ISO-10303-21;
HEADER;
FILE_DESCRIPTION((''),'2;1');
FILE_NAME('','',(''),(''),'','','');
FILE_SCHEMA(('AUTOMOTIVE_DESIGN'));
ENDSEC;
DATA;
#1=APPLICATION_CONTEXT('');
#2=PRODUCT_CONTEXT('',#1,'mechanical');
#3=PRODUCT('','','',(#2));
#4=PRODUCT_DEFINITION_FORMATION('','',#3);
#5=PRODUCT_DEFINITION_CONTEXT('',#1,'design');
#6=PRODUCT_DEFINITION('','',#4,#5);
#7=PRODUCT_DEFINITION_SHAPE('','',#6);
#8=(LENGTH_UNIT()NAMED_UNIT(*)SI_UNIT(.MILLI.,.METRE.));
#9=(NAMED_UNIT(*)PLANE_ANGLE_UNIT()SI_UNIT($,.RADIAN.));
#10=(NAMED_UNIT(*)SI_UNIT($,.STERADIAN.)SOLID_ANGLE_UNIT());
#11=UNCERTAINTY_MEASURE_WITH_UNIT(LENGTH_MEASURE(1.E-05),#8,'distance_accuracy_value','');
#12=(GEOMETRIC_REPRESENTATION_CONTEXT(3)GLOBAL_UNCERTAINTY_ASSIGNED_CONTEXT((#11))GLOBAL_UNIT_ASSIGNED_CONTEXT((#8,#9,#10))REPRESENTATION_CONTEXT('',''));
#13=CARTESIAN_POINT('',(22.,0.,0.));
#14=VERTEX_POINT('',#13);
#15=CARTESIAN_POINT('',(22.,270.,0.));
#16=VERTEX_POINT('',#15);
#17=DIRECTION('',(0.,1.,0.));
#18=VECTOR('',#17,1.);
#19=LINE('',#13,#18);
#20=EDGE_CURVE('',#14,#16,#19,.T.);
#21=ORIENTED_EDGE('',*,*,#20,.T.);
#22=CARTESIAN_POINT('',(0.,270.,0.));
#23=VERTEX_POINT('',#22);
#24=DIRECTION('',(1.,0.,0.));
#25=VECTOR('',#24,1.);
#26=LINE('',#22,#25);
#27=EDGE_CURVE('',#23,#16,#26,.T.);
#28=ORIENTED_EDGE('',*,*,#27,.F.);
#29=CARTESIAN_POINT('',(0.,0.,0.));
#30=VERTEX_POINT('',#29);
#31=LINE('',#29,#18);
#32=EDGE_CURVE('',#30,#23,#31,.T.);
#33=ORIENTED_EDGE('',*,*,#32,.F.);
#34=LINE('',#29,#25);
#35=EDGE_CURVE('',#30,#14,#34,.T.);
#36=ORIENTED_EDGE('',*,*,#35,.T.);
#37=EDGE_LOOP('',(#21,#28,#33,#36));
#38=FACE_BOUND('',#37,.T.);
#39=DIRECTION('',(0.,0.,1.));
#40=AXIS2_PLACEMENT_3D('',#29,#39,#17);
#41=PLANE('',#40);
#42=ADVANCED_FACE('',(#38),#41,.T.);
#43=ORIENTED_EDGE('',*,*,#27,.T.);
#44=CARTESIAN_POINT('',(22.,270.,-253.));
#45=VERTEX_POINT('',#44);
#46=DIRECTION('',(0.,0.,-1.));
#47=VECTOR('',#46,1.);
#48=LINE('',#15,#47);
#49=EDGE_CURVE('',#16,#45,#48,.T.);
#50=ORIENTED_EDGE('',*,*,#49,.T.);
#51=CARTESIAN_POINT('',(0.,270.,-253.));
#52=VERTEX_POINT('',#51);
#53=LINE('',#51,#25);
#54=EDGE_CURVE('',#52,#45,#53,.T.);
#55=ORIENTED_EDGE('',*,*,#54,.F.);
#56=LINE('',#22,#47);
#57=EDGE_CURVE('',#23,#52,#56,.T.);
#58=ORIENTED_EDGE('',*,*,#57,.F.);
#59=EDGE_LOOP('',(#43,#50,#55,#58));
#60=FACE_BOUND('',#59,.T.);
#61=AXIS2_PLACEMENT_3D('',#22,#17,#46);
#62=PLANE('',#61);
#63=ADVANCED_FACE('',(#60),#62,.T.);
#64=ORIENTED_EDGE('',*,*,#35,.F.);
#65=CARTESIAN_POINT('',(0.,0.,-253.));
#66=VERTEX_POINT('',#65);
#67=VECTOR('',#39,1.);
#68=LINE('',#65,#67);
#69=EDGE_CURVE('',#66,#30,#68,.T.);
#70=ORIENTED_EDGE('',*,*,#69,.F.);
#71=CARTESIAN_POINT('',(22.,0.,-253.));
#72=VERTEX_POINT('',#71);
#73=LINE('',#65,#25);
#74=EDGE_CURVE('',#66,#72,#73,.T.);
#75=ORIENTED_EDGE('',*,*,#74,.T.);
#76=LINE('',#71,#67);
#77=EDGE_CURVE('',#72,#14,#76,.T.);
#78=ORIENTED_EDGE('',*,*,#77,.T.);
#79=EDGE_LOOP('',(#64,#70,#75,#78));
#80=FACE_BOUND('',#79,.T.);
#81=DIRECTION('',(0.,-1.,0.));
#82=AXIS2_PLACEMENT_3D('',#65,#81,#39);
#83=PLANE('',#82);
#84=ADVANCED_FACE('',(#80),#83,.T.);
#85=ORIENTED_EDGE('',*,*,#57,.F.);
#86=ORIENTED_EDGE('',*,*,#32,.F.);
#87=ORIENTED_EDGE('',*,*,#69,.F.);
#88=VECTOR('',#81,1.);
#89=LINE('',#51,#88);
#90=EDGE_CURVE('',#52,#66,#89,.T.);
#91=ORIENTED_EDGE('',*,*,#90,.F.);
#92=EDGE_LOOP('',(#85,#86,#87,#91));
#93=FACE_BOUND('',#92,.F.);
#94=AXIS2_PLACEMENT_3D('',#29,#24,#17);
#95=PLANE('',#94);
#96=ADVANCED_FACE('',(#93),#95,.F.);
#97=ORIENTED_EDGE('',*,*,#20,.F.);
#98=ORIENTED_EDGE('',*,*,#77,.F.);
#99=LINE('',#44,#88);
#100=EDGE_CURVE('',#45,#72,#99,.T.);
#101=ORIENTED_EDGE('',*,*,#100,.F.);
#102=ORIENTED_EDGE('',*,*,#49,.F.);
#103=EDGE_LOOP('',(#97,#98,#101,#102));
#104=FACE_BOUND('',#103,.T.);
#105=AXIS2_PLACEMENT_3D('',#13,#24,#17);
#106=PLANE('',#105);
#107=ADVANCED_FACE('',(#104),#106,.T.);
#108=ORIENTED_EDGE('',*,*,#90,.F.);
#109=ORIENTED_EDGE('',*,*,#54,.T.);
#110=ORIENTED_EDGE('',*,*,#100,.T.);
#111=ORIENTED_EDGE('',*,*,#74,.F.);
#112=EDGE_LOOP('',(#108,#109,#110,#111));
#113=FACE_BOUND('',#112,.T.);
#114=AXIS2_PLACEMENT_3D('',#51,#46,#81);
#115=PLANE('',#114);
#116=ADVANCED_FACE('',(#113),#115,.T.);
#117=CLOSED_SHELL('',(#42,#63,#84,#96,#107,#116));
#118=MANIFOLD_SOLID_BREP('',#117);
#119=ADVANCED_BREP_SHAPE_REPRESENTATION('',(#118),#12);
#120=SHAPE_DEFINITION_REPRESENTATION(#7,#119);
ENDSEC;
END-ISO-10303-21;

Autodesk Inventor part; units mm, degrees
ref_plane "YZ Plane" through (0, 0, 0) normal (1, 0, 0) x (0, 1, 0)
ref_plane "XZ Plane" through (0, 0, 0) normal (0, 1, 0) x (-1, 0, 0)
ref_plane "XY Plane" through (0, 0, 0) normal (0, 0, 1) x (1, 0, 0)
sketch "Эскиз1" plane through (0, 0, 0) normal (1, 0, 0) x (0, 1, 0)
  line L0 (0, 0) -> (270, 0)
  line L1 (270, 0) -> (270, -253)
  line L2 (270, -253) -> (0, -253)
  line L3 (0, -253) -> (0, 0)
  dimension "d0" = 270
  dimension "d1" = 253
extrude "Выдавливание1" add sketch "Эскиз1" along normal blind 22
properties part number "double_side_A1"
